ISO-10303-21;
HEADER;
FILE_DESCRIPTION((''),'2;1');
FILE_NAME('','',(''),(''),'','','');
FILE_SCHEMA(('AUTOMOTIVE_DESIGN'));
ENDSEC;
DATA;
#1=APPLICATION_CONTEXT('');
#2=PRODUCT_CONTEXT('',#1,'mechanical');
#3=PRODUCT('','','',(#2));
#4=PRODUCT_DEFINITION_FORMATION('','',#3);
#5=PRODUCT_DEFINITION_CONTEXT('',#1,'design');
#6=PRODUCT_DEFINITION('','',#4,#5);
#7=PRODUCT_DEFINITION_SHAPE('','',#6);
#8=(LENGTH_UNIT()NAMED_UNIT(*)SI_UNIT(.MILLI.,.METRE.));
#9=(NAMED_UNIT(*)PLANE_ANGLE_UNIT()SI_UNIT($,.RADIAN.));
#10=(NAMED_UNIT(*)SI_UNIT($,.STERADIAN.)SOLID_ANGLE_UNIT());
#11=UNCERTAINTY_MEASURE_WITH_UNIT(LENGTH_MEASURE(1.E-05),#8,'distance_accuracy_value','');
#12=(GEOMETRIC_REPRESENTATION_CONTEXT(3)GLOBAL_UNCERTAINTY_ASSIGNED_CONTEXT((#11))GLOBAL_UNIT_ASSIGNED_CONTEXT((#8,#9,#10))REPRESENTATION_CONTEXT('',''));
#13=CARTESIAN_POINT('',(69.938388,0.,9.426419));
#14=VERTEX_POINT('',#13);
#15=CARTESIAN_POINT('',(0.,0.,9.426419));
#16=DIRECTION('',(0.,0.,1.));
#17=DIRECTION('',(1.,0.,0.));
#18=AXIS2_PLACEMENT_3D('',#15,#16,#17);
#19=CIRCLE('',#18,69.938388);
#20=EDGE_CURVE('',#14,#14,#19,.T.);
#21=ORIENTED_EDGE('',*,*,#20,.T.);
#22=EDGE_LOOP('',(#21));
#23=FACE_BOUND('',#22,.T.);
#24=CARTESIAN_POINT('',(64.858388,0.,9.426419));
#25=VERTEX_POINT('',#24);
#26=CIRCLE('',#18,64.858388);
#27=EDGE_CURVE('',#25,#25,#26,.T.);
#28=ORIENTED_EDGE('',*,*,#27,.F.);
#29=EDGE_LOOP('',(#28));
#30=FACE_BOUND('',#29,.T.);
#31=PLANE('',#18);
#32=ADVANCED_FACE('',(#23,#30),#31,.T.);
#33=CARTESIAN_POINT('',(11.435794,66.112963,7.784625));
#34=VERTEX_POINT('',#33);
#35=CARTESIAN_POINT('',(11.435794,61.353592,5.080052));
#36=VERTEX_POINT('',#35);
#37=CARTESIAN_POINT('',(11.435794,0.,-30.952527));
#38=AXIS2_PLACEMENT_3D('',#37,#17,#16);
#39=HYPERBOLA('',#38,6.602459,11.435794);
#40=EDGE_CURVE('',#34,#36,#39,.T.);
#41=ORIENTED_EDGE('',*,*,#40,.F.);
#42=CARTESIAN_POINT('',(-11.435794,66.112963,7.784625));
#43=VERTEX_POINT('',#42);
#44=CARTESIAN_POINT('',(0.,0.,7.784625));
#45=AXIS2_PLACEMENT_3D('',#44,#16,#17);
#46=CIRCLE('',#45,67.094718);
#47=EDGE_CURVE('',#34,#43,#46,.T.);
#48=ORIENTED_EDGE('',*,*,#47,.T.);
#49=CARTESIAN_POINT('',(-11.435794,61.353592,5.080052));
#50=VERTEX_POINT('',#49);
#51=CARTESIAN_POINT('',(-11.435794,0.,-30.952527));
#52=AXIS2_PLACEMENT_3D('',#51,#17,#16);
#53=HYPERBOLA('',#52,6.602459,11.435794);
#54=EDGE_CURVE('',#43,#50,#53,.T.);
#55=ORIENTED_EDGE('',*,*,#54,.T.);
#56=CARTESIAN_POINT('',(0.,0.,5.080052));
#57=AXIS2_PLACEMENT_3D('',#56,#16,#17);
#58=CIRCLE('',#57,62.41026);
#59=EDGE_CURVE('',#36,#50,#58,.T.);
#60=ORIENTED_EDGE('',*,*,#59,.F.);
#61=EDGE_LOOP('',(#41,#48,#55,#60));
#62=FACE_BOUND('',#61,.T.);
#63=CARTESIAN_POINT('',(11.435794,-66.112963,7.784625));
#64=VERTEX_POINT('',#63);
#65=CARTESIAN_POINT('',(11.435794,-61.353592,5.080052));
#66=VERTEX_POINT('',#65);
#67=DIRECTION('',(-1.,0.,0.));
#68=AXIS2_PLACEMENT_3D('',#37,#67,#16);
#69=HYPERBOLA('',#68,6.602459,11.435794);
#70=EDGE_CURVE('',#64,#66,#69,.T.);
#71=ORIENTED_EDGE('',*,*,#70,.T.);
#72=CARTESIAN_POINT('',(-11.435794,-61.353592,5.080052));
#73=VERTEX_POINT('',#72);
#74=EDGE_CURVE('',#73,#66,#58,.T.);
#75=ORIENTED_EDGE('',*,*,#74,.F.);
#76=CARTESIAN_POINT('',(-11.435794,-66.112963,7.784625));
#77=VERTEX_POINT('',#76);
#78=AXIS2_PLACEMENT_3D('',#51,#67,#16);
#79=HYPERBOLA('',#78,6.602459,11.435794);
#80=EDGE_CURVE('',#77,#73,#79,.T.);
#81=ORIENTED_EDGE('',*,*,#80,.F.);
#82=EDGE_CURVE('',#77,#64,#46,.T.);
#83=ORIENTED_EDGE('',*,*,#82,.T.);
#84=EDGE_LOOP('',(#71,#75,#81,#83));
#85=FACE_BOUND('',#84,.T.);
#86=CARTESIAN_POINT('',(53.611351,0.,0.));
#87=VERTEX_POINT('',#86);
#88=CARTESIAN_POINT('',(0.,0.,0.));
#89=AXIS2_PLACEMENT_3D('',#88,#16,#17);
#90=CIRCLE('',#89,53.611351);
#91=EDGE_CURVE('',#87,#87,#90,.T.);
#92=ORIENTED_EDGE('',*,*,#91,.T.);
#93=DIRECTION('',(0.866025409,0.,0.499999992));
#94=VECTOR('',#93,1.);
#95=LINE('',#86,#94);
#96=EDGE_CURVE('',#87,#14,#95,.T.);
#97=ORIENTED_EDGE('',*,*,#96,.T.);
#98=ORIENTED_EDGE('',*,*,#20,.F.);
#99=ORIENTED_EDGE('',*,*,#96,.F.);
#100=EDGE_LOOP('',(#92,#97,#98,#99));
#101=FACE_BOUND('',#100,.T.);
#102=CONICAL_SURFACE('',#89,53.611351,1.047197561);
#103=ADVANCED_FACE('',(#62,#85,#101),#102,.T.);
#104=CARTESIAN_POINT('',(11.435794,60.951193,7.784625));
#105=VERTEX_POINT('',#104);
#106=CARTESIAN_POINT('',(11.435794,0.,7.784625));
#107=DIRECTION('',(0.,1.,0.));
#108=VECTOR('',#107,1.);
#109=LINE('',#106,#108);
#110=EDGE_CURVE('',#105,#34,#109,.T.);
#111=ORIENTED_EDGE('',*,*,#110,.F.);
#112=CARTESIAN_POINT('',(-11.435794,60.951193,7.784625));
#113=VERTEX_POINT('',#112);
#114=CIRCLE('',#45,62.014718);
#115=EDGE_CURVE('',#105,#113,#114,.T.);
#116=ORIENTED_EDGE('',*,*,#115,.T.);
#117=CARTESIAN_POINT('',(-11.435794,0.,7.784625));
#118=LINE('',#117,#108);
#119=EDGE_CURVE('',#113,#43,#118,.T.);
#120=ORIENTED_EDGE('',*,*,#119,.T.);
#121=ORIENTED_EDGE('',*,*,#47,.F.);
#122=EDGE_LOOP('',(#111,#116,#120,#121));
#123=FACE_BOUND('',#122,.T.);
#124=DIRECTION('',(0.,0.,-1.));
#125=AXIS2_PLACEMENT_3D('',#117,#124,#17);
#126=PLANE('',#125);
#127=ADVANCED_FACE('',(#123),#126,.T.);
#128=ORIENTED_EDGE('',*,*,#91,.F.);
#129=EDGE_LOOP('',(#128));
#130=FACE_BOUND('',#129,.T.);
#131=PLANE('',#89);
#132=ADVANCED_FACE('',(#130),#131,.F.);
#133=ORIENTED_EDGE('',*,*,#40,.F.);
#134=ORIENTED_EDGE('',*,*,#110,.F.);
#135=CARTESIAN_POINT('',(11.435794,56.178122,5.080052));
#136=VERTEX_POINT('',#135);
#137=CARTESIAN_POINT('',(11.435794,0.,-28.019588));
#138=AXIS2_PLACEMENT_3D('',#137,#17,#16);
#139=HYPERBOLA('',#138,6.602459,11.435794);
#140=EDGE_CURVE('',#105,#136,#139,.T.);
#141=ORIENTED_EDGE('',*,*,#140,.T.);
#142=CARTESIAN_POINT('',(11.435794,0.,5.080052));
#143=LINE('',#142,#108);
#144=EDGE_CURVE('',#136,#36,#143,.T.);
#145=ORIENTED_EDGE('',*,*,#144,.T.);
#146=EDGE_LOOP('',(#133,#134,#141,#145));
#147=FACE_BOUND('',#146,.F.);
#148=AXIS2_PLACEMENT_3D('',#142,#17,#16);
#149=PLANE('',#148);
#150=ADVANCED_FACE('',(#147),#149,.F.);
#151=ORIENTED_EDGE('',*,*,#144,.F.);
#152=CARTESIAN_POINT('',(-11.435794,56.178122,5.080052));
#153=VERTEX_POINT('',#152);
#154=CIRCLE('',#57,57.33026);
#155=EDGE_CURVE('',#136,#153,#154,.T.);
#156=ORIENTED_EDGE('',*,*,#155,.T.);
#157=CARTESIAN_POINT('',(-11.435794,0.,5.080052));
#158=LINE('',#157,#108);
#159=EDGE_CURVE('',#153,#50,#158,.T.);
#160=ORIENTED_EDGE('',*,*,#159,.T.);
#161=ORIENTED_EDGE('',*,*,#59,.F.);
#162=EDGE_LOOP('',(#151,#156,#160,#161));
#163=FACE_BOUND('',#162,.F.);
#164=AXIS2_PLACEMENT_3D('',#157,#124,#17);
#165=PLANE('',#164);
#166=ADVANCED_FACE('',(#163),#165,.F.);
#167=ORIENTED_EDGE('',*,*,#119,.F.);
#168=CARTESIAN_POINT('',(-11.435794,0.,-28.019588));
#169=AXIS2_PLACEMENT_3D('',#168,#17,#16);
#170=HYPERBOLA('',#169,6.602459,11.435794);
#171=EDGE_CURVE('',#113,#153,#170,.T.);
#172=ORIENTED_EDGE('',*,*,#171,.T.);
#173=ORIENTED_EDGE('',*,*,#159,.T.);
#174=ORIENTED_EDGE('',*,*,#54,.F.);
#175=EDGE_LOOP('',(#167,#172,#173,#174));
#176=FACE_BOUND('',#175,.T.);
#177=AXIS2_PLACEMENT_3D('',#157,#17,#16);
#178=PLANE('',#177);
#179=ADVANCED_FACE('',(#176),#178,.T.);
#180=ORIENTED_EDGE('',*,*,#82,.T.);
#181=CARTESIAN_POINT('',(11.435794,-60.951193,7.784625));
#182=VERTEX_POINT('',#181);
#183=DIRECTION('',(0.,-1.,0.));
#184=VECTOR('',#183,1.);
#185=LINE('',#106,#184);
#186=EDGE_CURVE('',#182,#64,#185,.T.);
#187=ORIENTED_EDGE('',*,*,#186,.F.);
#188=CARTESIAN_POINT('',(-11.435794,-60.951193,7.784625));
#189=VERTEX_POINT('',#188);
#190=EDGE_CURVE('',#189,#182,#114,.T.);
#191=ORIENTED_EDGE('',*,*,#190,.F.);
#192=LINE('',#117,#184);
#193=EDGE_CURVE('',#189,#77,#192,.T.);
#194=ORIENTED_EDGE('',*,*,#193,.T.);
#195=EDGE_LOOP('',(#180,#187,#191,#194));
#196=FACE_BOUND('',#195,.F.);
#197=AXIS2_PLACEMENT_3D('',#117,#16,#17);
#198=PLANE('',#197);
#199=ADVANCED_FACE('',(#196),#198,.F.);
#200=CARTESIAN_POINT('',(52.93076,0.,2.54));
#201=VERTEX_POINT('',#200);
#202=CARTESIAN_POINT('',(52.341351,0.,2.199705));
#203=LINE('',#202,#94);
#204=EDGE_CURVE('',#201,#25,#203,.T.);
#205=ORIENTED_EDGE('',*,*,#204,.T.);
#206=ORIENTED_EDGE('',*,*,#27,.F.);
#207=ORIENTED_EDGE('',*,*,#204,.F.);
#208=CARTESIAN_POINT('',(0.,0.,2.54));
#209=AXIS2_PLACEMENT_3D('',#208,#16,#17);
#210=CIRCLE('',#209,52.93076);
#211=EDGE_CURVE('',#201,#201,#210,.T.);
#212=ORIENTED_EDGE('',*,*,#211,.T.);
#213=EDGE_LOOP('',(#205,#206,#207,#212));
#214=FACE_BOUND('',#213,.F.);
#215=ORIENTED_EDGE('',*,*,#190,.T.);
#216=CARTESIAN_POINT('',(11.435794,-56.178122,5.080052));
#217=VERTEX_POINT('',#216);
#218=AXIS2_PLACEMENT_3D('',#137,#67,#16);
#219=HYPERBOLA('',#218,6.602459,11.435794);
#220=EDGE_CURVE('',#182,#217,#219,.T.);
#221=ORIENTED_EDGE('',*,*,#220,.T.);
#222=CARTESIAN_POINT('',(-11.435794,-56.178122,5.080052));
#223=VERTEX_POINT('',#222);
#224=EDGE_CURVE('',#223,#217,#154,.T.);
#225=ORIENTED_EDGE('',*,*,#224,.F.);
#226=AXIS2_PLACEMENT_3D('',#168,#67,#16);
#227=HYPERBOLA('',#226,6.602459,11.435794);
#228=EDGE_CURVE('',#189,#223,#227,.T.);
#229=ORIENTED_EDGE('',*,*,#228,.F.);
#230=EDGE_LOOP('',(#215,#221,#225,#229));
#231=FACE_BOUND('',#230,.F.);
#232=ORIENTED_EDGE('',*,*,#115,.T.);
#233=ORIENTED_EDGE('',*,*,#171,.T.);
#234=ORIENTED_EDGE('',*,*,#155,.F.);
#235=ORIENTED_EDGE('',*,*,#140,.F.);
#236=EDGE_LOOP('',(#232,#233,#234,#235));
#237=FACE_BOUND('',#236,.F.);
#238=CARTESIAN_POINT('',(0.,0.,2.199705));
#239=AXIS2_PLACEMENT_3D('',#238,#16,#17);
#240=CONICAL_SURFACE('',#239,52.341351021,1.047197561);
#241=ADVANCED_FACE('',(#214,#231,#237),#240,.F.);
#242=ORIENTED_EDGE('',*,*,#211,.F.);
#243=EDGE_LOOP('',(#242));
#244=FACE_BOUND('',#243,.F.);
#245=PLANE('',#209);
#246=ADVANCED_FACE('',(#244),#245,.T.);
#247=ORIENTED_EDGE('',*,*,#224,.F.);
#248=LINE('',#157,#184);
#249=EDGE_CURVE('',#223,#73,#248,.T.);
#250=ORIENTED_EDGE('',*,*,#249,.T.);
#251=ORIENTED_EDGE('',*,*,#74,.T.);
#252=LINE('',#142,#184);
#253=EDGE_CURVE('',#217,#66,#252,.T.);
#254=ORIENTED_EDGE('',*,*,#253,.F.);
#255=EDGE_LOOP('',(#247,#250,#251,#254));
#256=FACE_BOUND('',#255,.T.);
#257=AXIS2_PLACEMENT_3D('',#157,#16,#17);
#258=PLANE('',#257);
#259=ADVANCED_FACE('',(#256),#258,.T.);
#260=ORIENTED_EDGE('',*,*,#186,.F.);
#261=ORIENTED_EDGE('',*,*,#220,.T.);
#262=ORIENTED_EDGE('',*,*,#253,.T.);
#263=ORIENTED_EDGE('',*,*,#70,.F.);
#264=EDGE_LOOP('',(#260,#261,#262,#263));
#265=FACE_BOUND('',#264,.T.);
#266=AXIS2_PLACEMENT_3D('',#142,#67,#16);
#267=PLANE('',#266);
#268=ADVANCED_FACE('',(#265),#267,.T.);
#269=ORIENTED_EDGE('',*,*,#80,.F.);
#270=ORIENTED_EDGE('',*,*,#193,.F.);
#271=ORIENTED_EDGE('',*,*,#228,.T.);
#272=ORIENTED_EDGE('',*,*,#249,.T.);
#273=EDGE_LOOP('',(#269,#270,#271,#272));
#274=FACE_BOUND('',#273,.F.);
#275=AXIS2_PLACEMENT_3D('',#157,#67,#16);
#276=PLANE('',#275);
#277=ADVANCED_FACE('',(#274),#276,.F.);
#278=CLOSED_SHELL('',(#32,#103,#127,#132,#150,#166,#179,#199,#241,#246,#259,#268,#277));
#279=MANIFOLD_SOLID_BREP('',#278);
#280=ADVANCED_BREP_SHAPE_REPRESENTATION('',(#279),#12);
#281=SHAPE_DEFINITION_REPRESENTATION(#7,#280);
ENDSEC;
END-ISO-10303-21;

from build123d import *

# Parameters (mm, degrees)
F2_T     = -2.54
F3_W     = 22.871588
F3_H     = 2.704573
F4_DEPTH = 69.939388
F5_DEPTH = 69.939388


with BuildPart() as f1:
    # F0 (on Front) → F1 (revolve)
    with BuildSketch(Plane.XZ):
        Polygon((0, 9.426419), (0, 0), (53.611351, 0), (69.938388, 9.426419), align=None)
    revolve(axis=Axis((0, 0, 4.71321), (0, 0, 1)))

    # F2
    f2_openings = [f1.faces().sort_by_distance(p)[0] for p in [
        (0, 0, 9.426419),
    ]]
    offset(amount=F2_T, openings=f2_openings)

    # F3 (on Front) → F4 (cut, through all)
    with BuildSketch(Plane.XZ):
        with Locations((0, 6.432339)):
            Rectangle(F3_W, F3_H)
    extrude(amount=-F4_DEPTH, mode=Mode.SUBTRACT)

    # F3 (on Front) → F5 (cut, through all)
    with BuildSketch(Plane.XZ):
        with Locations((0, 6.432339)):
            Rectangle(F3_W, F3_H)
    extrude(amount=F5_DEPTH, mode=Mode.SUBTRACT)


solid = f1.part
